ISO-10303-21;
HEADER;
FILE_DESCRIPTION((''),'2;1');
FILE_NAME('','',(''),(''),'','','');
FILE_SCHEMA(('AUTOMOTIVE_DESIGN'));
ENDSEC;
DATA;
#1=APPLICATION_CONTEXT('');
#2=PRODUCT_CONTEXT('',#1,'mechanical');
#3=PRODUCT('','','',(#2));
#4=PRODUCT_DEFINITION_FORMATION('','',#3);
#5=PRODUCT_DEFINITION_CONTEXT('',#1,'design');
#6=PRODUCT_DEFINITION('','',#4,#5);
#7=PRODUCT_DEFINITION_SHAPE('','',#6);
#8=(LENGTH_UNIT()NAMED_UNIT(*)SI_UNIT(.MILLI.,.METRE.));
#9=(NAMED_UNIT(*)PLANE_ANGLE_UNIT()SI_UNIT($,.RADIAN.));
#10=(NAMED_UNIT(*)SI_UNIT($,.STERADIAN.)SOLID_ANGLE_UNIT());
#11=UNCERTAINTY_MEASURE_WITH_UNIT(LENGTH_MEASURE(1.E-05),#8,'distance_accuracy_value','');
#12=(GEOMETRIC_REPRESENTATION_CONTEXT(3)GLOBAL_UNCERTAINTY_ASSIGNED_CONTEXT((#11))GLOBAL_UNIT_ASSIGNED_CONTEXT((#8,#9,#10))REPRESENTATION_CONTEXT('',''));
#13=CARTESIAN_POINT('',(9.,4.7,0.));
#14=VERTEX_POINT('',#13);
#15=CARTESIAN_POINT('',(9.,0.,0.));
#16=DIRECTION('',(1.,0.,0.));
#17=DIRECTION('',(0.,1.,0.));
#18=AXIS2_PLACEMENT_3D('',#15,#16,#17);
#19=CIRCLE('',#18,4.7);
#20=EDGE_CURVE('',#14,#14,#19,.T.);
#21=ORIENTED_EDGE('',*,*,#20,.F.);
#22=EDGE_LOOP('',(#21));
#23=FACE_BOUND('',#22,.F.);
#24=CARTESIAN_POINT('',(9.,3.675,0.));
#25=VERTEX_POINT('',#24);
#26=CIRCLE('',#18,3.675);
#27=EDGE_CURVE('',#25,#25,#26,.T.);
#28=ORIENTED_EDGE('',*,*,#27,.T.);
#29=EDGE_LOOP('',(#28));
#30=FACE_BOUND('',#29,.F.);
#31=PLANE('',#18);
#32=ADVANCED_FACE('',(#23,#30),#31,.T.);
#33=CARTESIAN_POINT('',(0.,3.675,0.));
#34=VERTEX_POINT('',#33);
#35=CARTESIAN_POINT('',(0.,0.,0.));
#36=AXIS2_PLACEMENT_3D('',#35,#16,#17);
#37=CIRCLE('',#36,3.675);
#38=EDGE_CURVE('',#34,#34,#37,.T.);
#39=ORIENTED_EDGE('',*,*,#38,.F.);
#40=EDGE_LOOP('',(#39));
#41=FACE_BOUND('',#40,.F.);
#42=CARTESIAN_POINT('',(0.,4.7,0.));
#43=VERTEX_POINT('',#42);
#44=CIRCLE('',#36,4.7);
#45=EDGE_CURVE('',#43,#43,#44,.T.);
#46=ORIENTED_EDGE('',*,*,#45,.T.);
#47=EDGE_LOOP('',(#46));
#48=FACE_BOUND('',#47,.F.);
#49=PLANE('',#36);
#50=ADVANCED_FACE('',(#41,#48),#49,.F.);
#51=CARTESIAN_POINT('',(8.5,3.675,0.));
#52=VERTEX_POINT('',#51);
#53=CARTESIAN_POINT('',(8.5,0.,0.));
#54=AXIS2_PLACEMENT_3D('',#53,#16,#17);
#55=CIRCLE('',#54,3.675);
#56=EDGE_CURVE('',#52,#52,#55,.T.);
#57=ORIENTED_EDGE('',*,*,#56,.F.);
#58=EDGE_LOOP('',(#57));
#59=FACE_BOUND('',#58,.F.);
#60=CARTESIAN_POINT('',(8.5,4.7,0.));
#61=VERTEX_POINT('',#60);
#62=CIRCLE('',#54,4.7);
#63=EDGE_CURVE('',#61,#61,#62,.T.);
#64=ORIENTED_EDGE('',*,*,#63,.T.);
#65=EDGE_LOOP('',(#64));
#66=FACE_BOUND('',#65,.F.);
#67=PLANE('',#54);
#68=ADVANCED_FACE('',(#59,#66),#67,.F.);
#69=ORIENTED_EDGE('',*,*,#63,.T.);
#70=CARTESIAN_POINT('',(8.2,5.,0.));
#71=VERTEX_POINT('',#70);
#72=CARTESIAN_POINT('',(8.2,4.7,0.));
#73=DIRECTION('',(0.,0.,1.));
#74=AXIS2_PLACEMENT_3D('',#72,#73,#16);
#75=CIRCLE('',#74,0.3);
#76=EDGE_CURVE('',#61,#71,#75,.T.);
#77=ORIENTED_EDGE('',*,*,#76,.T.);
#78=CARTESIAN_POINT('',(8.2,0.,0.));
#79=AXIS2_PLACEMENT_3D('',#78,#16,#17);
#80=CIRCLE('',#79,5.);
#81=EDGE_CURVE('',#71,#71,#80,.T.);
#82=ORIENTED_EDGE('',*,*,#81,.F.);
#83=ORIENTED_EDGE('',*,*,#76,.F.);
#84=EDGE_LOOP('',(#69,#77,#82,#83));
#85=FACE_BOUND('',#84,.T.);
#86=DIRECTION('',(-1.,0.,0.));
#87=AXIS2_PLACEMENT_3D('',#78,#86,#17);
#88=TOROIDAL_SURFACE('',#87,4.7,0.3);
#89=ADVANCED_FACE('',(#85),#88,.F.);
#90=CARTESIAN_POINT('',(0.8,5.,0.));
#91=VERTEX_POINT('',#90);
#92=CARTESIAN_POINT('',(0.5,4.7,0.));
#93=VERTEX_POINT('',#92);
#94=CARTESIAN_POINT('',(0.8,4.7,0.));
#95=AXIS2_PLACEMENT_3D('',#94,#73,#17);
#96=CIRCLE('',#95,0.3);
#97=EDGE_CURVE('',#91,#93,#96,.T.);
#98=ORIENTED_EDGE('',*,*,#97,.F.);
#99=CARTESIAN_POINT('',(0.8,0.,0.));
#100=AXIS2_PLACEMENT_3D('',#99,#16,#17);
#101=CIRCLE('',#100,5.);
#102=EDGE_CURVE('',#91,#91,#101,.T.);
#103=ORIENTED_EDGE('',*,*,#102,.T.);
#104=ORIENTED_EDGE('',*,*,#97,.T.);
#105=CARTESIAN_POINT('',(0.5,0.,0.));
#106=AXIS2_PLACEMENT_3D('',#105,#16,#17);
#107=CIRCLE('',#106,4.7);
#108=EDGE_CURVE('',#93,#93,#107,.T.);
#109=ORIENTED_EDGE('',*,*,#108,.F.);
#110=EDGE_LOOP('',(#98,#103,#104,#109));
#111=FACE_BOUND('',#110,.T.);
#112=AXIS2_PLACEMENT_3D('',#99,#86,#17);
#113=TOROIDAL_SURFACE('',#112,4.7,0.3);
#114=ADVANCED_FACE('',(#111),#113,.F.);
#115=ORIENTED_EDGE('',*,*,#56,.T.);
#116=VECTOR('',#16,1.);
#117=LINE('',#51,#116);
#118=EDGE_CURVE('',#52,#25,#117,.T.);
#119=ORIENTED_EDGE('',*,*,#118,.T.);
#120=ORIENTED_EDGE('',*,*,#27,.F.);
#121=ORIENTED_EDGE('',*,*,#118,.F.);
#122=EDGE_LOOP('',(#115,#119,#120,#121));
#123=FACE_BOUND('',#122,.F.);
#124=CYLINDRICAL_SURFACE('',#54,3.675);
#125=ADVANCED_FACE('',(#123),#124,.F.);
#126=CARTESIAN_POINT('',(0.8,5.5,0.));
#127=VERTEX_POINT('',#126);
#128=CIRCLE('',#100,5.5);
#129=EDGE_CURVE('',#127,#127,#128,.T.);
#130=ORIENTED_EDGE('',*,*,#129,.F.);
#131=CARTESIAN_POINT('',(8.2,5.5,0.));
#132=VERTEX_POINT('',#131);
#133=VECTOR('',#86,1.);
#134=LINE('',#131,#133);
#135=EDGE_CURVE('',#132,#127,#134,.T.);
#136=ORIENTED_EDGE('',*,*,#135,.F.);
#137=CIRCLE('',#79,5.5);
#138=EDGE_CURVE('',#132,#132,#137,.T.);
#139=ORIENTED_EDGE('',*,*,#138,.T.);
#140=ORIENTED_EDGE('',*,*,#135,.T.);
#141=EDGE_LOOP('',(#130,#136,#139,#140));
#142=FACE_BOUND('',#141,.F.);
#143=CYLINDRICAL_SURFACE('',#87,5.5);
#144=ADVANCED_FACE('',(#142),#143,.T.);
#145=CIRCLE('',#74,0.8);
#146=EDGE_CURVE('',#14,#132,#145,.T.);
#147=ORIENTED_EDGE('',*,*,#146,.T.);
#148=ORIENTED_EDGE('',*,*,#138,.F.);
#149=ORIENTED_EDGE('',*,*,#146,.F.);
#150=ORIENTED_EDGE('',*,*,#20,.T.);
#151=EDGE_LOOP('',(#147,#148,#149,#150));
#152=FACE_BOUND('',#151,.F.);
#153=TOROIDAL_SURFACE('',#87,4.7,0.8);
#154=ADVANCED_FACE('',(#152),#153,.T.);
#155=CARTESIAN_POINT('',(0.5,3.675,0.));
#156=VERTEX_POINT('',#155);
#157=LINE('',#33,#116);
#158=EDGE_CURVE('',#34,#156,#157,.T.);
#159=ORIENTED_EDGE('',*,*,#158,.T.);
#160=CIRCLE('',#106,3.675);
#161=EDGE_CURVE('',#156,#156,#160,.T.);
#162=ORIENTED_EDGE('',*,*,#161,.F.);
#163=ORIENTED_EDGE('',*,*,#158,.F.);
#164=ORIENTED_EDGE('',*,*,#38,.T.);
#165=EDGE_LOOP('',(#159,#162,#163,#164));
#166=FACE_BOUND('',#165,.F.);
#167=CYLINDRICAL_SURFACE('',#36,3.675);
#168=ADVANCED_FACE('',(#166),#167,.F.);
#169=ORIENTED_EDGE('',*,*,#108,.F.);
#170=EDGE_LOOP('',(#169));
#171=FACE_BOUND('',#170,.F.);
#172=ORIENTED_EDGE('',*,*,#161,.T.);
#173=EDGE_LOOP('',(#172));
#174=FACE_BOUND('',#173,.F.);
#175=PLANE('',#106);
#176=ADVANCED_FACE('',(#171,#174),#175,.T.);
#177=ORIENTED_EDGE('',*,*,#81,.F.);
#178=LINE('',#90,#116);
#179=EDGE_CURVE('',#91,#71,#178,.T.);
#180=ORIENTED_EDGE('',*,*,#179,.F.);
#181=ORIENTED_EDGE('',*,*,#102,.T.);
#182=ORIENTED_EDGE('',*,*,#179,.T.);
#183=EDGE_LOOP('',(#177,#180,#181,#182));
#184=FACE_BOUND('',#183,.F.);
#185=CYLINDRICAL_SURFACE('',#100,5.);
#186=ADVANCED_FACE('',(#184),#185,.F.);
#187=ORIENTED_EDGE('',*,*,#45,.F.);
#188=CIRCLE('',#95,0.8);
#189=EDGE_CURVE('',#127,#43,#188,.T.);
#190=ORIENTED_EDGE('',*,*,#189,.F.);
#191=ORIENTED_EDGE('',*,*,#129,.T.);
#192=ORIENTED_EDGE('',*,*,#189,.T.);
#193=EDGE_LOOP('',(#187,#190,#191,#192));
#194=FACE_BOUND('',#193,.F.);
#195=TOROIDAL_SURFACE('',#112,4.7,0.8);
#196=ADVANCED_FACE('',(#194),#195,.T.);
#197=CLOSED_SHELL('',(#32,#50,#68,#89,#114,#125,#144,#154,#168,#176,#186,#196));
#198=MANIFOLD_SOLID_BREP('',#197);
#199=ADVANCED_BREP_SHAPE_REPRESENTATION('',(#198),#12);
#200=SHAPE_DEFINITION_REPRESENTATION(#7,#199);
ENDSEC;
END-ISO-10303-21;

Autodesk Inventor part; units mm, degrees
sketch "Sketch_1" plane through (0, 0, 0) normal (0, 0, 1) x (1, 0, 0)
  line L0 (9, 0) -> (0, 0)
  line L1 (0, 3.675) -> (0.5, 3.675)
  line L2 (0.5, 3.675) -> (0.5, 4.7)
  arc A0 (0.8, 5) -> (0.5, 4.7) centre (0.8, 4.7) ccw
  line L3 (0.8, 5) -> (8.2, 5)
  arc A1 (8.5, 4.7) -> (8.2, 5) centre (8.2, 4.7) ccw
  line L4 (8.5, 4.7) -> (8.5, 3.675)
  line L5 (8.5, 3.675) -> (9, 3.675)
  line L6 (9, 3.675) -> (9, 4.7)
  arc A2 (9, 4.7) -> (8.2, 5.5) centre (8.2, 4.7) ccw
  line L7 (8.2, 5.5) -> (0.8, 5.5)
  arc A3 (0.8, 5.5) -> (0, 4.7) centre (0.8, 4.7) ccw
  line L8 (0, 4.7) -> (0, 3.675)
revolve "Revolution1" add sketch "Sketch_1" angle 360 about axis through (9, 0, 0) along (1, 0, 0)
ref_plane "IP_1_XY" through (0, 0, 0) normal (1, 0, 0) x (0, 0, -1)
ref_plane "IP_1_YZ" through (0, 0, 0) normal (0, 0, -1) x (0, 1, 0)
ref_plane "IP_1_ZX" through (0, 0, 0) normal (0, 1, 0) x (1, 0, 0)
ref_plane "IP_5_XY" through (4.5, 0, 0) normal (1, 0, 0) x (0, 0, -1)
ref_plane "IP_5_YZ" through (4.5, 0, 0) normal (0, 0, -1) x (0, 1, 0)
ref_plane "IP_5_ZX" through (4.5, 0, 0) normal (0, 1, 0) x (1, 0, 0)
ref_plane "IP_6_XY" through (6.35, 0, 0) normal (1, 0, 0) x (0, 0, -1)
ref_plane "IP_6_YZ" through (6.35, 0, 0) normal (0, 0, -1) x (0, 1, 0)
ref_plane "IP_6_ZX" through (6.35, 0, 0) normal (0, 1, 0) x (1, 0, 0)
properties part number "HK0709FMSH" material "Steel"
